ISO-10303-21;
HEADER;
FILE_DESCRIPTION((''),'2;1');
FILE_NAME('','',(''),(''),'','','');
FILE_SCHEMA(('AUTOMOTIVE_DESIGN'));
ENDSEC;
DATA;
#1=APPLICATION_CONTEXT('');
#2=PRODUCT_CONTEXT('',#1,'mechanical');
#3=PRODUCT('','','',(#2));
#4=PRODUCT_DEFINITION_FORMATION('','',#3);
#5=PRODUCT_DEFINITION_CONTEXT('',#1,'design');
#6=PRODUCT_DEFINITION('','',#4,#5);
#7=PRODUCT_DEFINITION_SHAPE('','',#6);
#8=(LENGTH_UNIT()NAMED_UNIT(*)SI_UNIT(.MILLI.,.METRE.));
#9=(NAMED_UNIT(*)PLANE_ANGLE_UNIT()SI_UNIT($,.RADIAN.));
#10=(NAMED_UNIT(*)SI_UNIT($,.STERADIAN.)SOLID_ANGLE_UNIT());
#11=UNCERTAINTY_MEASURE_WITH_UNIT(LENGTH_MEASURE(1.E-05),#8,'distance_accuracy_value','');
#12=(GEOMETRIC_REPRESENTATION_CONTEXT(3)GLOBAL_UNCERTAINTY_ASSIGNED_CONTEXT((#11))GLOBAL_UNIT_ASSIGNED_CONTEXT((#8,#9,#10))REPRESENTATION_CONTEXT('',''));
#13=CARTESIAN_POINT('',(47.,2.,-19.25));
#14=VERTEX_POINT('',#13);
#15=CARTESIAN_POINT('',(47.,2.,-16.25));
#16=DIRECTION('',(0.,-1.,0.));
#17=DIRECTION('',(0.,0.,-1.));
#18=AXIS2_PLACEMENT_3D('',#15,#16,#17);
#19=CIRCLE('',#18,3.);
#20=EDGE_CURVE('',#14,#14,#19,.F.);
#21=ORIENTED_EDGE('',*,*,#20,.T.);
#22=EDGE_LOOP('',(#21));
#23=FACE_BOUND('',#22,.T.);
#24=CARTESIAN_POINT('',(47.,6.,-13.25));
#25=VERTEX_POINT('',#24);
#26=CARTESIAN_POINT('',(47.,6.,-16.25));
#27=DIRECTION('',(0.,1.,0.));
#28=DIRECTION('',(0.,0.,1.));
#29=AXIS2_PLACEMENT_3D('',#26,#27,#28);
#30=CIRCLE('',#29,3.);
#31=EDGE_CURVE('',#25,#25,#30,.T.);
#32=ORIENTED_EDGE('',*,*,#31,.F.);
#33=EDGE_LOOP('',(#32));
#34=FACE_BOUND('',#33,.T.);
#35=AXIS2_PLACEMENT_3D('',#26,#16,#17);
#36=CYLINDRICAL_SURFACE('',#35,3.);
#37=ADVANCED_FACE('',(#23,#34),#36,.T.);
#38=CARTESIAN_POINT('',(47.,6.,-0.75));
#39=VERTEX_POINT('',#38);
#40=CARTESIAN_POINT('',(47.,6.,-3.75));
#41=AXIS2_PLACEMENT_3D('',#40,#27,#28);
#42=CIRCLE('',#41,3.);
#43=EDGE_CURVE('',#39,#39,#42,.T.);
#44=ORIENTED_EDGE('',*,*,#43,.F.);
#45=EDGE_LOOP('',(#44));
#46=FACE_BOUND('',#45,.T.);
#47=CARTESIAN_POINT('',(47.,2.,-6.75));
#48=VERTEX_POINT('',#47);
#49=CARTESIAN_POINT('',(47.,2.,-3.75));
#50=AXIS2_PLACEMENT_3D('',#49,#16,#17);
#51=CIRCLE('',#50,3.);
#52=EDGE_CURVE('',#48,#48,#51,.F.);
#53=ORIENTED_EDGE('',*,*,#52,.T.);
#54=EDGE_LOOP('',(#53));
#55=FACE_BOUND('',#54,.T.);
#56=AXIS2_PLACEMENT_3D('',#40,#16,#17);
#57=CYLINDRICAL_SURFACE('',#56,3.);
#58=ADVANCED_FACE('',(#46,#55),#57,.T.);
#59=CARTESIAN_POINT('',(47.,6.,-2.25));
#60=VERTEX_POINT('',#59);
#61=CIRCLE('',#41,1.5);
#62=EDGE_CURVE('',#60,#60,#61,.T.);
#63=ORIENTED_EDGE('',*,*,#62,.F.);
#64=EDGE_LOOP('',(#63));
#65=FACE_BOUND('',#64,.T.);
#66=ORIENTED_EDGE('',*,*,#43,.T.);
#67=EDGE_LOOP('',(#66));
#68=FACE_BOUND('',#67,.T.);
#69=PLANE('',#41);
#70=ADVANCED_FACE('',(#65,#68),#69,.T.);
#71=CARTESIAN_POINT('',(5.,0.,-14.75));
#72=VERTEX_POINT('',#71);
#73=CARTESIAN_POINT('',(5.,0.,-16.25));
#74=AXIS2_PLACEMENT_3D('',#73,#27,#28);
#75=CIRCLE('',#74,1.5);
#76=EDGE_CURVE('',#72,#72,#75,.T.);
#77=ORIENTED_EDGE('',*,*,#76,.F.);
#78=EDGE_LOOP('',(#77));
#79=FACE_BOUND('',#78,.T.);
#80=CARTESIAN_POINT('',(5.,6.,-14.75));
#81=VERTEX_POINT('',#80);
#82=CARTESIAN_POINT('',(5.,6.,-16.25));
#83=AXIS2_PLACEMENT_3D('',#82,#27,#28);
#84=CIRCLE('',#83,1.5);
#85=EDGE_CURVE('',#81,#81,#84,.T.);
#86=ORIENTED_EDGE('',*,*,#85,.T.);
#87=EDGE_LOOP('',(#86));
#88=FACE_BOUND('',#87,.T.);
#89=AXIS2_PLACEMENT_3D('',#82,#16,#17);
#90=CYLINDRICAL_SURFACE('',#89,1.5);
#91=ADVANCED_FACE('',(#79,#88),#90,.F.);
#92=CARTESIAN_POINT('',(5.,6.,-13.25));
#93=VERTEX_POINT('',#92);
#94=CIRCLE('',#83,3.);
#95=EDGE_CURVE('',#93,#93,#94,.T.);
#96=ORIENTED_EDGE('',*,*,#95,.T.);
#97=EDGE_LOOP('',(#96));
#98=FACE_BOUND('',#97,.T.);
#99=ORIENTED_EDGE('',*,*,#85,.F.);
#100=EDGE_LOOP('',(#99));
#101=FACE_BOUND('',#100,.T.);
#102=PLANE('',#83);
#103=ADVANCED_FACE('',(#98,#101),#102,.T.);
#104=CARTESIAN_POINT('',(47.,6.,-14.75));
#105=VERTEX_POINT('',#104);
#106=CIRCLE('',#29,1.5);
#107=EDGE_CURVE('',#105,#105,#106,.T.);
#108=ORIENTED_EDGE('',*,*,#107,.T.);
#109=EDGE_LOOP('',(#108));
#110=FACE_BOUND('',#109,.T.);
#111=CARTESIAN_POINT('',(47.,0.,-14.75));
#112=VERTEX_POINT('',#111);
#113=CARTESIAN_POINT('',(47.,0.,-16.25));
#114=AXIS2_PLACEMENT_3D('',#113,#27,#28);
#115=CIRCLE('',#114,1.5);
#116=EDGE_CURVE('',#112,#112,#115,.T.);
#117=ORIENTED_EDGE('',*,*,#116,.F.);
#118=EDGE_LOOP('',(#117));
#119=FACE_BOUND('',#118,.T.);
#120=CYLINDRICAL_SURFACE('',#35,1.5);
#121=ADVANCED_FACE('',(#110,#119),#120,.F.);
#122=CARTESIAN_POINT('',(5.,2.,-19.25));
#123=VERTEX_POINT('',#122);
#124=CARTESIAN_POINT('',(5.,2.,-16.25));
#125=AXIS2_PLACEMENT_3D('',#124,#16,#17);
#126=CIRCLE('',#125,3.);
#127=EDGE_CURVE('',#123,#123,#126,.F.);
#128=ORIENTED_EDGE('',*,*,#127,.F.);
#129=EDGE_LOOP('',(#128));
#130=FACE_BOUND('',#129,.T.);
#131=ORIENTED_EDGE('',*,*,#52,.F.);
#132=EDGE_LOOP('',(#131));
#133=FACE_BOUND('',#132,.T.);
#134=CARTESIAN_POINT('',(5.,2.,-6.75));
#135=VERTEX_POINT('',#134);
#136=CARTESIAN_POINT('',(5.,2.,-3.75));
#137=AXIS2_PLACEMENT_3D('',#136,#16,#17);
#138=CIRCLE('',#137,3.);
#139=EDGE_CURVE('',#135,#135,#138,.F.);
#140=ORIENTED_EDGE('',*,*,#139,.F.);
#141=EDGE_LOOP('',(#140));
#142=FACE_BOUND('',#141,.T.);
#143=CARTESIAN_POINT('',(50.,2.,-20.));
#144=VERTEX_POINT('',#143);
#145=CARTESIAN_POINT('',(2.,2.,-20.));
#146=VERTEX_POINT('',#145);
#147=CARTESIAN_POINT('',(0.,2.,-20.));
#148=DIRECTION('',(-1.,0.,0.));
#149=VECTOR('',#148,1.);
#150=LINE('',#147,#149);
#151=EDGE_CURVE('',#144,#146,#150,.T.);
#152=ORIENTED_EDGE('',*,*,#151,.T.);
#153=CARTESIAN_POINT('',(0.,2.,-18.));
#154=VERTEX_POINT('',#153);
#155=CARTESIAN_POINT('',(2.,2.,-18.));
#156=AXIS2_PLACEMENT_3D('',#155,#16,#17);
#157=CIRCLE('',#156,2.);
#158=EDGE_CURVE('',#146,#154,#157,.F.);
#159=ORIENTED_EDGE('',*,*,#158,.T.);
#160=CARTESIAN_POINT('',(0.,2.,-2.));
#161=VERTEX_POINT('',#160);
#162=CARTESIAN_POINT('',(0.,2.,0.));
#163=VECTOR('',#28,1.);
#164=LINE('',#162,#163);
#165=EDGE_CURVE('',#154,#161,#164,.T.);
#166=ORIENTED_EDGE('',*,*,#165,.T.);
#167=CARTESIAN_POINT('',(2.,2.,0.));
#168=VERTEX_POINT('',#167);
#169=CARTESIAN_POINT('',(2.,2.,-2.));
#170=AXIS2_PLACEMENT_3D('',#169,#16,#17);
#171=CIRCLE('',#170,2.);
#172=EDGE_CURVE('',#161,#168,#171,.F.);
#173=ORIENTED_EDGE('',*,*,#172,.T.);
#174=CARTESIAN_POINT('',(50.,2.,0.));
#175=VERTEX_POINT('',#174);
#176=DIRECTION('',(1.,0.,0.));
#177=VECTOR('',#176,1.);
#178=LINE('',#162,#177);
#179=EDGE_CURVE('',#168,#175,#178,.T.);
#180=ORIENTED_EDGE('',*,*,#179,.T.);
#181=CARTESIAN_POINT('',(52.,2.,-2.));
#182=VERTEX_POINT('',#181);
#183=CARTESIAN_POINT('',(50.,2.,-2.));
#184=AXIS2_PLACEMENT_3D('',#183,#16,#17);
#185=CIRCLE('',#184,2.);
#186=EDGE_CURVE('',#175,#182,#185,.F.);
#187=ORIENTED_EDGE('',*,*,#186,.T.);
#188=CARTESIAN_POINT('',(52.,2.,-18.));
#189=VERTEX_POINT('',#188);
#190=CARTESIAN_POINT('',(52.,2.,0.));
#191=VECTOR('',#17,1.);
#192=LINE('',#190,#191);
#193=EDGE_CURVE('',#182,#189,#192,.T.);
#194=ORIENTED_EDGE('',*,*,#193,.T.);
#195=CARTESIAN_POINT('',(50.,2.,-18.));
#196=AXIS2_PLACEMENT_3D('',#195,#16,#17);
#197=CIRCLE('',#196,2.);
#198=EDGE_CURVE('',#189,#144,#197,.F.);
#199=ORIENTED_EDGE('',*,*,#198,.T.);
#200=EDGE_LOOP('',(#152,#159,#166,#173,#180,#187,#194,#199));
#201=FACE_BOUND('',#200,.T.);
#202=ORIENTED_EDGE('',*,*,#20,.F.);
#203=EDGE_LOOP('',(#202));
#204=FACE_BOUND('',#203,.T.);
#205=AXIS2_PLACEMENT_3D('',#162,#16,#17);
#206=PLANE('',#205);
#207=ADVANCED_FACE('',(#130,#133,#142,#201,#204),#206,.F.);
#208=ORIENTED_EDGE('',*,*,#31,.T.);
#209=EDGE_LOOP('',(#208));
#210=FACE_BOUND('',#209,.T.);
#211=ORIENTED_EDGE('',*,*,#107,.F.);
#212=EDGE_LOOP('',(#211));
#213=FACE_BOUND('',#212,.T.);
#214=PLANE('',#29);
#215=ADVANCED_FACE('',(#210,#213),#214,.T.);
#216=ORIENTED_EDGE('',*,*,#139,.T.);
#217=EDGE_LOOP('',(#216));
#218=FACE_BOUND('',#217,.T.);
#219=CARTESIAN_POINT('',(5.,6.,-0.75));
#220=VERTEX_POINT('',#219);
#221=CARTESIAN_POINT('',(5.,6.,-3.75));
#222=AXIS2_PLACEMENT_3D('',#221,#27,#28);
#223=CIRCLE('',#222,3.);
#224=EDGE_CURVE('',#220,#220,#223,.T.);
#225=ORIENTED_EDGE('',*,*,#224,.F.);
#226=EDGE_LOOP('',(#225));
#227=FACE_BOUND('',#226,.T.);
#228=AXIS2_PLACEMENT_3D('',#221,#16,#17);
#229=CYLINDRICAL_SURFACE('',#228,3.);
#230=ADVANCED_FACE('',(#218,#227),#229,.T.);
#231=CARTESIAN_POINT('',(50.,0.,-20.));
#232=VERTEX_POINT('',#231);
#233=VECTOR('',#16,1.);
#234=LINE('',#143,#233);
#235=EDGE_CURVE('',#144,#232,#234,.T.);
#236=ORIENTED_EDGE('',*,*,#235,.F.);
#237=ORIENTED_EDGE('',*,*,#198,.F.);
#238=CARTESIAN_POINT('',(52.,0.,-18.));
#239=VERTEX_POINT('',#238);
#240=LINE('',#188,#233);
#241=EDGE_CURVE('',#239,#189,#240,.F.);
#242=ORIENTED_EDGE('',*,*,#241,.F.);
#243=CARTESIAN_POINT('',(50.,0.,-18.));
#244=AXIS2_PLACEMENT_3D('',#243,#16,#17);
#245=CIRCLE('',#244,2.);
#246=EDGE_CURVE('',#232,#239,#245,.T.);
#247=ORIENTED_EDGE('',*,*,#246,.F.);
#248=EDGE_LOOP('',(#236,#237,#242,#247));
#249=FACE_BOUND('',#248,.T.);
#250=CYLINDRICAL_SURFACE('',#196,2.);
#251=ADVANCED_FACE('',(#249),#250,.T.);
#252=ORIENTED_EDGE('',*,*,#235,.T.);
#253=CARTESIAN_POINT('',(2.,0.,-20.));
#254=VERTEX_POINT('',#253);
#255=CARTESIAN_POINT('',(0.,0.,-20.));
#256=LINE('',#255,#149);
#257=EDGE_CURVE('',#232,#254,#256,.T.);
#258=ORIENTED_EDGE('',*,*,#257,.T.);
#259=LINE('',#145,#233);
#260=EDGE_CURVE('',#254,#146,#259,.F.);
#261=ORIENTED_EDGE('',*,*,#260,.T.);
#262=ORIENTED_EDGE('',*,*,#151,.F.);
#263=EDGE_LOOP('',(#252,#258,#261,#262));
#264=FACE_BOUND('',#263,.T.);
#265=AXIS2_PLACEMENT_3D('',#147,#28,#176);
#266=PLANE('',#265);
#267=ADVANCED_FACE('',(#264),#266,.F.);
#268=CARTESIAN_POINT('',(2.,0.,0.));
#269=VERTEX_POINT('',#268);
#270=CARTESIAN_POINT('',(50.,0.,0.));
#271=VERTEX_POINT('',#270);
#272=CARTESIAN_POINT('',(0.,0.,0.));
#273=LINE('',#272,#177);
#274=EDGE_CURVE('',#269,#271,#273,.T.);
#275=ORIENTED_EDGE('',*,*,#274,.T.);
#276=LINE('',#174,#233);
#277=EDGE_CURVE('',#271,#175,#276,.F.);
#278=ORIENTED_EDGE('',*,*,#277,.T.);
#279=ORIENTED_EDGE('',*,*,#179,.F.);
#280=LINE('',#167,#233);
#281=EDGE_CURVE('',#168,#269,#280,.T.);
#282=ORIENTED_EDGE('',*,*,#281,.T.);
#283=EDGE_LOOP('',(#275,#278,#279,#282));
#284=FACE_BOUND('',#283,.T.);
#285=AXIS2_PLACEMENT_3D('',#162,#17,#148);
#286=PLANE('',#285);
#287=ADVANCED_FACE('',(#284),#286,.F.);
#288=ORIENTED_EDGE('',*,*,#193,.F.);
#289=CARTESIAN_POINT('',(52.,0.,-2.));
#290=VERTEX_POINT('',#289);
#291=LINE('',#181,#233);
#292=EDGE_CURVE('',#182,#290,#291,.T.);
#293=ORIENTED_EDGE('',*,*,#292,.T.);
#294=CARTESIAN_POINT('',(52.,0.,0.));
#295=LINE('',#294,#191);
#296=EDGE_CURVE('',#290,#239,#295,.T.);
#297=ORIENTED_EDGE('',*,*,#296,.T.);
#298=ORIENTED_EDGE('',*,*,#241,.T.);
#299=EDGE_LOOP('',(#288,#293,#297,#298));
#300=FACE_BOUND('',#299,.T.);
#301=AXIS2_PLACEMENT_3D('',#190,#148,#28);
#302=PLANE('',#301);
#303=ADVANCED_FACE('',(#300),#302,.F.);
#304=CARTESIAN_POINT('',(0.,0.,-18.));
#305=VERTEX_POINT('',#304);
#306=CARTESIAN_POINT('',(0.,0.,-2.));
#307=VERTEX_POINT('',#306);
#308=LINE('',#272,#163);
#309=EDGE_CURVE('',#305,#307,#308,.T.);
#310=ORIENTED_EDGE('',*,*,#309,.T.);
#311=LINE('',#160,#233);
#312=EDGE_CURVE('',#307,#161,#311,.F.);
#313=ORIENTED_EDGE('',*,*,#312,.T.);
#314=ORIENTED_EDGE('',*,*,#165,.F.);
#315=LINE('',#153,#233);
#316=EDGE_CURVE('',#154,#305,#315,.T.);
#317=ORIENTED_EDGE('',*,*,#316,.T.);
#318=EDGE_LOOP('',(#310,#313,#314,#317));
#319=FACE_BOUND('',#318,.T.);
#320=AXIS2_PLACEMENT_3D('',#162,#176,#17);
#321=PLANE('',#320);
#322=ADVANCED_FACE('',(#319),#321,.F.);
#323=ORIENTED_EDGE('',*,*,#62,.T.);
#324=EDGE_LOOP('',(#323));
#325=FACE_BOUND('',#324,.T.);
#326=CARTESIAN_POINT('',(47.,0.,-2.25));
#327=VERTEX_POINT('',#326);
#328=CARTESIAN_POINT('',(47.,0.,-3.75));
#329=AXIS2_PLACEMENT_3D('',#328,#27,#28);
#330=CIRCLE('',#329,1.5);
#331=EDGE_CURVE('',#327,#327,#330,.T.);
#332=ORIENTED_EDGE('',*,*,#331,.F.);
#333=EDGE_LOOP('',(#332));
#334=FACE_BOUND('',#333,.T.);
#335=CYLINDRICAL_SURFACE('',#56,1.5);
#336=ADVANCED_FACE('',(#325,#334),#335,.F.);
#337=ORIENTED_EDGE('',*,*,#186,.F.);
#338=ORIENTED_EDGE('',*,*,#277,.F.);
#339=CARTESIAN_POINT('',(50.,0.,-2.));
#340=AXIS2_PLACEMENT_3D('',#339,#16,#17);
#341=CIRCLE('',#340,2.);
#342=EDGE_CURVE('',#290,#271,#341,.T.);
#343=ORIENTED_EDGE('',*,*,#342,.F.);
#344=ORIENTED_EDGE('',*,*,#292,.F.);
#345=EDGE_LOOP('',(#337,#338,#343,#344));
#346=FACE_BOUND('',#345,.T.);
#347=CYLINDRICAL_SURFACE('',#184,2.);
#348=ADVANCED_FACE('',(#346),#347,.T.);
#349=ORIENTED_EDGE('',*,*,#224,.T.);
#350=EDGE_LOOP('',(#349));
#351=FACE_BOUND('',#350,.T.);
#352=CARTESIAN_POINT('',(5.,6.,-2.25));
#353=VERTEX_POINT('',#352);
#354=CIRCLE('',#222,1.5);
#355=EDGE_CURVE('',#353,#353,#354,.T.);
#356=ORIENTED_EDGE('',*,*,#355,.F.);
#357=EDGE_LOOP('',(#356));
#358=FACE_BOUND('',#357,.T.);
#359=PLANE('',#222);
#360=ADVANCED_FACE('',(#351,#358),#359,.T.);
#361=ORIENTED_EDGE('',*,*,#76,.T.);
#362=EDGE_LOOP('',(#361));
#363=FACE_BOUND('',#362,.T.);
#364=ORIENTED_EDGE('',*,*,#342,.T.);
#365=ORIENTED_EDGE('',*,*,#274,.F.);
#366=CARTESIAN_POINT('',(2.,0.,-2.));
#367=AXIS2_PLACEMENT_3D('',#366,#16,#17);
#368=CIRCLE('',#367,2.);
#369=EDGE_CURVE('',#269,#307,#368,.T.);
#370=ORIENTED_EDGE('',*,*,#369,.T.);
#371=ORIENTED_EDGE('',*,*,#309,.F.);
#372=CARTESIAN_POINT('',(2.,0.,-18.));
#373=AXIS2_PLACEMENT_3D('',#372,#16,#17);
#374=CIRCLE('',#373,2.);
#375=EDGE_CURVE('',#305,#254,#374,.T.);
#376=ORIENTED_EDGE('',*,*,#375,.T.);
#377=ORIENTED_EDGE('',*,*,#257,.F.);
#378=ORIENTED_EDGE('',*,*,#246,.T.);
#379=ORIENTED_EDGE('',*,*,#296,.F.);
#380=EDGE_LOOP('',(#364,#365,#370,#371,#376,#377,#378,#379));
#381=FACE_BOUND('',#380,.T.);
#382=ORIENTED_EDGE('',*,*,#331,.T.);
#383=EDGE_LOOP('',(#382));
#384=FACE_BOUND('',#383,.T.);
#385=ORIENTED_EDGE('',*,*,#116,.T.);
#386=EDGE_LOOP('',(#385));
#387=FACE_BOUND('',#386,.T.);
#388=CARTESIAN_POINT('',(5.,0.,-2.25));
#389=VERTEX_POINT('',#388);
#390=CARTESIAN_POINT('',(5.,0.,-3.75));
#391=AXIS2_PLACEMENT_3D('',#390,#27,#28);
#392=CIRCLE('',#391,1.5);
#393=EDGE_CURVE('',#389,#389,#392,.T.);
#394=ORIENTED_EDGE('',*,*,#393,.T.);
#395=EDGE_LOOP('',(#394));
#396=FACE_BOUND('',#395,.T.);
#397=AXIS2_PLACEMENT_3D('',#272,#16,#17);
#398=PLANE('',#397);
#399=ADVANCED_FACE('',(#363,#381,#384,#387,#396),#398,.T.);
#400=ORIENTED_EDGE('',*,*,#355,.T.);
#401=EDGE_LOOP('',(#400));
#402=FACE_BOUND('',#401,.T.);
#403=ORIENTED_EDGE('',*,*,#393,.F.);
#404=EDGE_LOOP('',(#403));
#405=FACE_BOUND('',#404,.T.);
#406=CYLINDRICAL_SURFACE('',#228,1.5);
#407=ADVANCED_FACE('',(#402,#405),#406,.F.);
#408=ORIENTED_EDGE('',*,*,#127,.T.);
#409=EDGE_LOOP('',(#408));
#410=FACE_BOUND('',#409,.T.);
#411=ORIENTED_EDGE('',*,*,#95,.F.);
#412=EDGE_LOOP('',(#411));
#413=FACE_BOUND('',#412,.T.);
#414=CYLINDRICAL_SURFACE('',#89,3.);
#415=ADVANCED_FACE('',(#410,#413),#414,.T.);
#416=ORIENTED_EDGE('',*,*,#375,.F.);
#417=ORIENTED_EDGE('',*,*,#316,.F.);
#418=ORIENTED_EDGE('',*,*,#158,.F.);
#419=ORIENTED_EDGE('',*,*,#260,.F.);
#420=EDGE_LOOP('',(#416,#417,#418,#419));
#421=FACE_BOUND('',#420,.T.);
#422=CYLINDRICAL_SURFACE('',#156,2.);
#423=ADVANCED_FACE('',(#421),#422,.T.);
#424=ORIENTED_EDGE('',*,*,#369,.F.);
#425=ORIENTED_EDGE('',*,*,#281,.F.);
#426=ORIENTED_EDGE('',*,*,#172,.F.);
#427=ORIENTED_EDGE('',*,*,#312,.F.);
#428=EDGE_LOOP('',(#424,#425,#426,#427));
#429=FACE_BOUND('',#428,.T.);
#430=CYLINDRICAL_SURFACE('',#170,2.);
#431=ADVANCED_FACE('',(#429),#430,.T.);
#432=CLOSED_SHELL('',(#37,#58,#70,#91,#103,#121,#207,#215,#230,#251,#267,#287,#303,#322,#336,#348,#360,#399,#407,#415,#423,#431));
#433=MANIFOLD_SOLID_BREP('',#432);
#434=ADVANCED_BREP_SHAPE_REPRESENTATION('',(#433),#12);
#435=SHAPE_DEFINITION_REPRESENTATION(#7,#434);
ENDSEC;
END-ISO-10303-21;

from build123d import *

# Parameters (mm, degrees)
SKETCH1_W           = 52
SKETCH1_H           = 20
BOSS_EXTRUDE1_DEPTH = 2
SKETCH2_R           = 3
SKETCH2_R_2         = 1.5
BOSS_EXTRUDE2_DEPTH = 4
SKETCH3_R           = 1.5
CUT_EXTRUDE1_DEPTH  = 56.856960175
FILLET1_R           = 2


with BuildPart() as part:
    # Sketch1 → Boss-Extrude1 (new body)
    with BuildSketch(Plane(origin=(0, 0, 0), x_dir=(1, 0, 0), z_dir=(0, 1, 0))):
        with Locations((26, 10)):
            Rectangle(SKETCH1_W, SKETCH1_H)
    extrude(amount=BOSS_EXTRUDE1_DEPTH)

    # Sketch2 → Boss-Extrude2 (add)
    # profile 1 of 4: a face of its own
    with BuildSketch(Plane(origin=(0, 2, 0), x_dir=(1, 0, 0), z_dir=(0, 1, 0))):
        with Locations(Location((5, 16.25, 0), (0, 0, 90))):
            Circle(SKETCH2_R)
        with Locations(Location((5, 16.25, 0), (0, 0, 270))):
            Circle(SKETCH2_R_2, mode=Mode.SUBTRACT)
    # profile 2 of 4: a face of its own
    with BuildSketch(Plane(origin=(0, 2, 0), x_dir=(1, 0, 0), z_dir=(0, 1, 0))):
        with Locations(Location((5, 3.75, 0), (0, 0, 90))):
            Circle(SKETCH2_R)
        with Locations(Location((5, 3.75, 0), (0, 0, 270))):
            Circle(SKETCH2_R_2, mode=Mode.SUBTRACT)
    # profile 3 of 4: a face of its own
    with BuildSketch(Plane(origin=(0, 2, 0), x_dir=(1, 0, 0), z_dir=(0, 1, 0))):
        with Locations(Location((47, 3.75, 0), (0, 0, 90))):
            Circle(SKETCH2_R)
        with Locations(Location((47, 3.75, 0), (0, 0, 270))):
            Circle(SKETCH2_R_2, mode=Mode.SUBTRACT)
    # profile 4 of 4: a face of its own
    with BuildSketch(Plane(origin=(0, 2, 0), x_dir=(1, 0, 0), z_dir=(0, 1, 0))):
        with Locations(Location((47, 16.25, 0), (0, 0, 90))):
            Circle(SKETCH2_R)
        with Locations(Location((47, 16.25, 0), (0, 0, 270))):
            Circle(SKETCH2_R_2, mode=Mode.SUBTRACT)
    extrude(amount=BOSS_EXTRUDE2_DEPTH)

    # Sketch3 → Cut-Extrude1 (cut, through all)
    with BuildSketch(Plane(origin=(0, 2, 0), x_dir=(1, 0, 0), z_dir=(0, 1, 0))):
        with Locations(Location((47, 3.75, 0), (0, 0, 270))):
            Circle(SKETCH3_R)
        with Locations(Location((47, 16.25, 0), (0, 0, 270))):
            Circle(SKETCH3_R)
        with Locations(Location((5, 3.75, 0), (0, 0, 270))):
            Circle(SKETCH3_R)
        with Locations(Location((5, 16.25, 0), (0, 0, 270))):
            Circle(SKETCH3_R)
    extrude(amount=-CUT_EXTRUDE1_DEPTH, mode=Mode.SUBTRACT)

    # Fillet1
    fillet1_edges = [part.edges().sort_by_distance(p)[0] for p in [
        (0, 1, -20),
        (52, 1, -20),
        (52, 1, 0),
        (0, 1, 0),
    ]]
    fillet(fillet1_edges, radius=FILLET1_R)


solid = part.part
